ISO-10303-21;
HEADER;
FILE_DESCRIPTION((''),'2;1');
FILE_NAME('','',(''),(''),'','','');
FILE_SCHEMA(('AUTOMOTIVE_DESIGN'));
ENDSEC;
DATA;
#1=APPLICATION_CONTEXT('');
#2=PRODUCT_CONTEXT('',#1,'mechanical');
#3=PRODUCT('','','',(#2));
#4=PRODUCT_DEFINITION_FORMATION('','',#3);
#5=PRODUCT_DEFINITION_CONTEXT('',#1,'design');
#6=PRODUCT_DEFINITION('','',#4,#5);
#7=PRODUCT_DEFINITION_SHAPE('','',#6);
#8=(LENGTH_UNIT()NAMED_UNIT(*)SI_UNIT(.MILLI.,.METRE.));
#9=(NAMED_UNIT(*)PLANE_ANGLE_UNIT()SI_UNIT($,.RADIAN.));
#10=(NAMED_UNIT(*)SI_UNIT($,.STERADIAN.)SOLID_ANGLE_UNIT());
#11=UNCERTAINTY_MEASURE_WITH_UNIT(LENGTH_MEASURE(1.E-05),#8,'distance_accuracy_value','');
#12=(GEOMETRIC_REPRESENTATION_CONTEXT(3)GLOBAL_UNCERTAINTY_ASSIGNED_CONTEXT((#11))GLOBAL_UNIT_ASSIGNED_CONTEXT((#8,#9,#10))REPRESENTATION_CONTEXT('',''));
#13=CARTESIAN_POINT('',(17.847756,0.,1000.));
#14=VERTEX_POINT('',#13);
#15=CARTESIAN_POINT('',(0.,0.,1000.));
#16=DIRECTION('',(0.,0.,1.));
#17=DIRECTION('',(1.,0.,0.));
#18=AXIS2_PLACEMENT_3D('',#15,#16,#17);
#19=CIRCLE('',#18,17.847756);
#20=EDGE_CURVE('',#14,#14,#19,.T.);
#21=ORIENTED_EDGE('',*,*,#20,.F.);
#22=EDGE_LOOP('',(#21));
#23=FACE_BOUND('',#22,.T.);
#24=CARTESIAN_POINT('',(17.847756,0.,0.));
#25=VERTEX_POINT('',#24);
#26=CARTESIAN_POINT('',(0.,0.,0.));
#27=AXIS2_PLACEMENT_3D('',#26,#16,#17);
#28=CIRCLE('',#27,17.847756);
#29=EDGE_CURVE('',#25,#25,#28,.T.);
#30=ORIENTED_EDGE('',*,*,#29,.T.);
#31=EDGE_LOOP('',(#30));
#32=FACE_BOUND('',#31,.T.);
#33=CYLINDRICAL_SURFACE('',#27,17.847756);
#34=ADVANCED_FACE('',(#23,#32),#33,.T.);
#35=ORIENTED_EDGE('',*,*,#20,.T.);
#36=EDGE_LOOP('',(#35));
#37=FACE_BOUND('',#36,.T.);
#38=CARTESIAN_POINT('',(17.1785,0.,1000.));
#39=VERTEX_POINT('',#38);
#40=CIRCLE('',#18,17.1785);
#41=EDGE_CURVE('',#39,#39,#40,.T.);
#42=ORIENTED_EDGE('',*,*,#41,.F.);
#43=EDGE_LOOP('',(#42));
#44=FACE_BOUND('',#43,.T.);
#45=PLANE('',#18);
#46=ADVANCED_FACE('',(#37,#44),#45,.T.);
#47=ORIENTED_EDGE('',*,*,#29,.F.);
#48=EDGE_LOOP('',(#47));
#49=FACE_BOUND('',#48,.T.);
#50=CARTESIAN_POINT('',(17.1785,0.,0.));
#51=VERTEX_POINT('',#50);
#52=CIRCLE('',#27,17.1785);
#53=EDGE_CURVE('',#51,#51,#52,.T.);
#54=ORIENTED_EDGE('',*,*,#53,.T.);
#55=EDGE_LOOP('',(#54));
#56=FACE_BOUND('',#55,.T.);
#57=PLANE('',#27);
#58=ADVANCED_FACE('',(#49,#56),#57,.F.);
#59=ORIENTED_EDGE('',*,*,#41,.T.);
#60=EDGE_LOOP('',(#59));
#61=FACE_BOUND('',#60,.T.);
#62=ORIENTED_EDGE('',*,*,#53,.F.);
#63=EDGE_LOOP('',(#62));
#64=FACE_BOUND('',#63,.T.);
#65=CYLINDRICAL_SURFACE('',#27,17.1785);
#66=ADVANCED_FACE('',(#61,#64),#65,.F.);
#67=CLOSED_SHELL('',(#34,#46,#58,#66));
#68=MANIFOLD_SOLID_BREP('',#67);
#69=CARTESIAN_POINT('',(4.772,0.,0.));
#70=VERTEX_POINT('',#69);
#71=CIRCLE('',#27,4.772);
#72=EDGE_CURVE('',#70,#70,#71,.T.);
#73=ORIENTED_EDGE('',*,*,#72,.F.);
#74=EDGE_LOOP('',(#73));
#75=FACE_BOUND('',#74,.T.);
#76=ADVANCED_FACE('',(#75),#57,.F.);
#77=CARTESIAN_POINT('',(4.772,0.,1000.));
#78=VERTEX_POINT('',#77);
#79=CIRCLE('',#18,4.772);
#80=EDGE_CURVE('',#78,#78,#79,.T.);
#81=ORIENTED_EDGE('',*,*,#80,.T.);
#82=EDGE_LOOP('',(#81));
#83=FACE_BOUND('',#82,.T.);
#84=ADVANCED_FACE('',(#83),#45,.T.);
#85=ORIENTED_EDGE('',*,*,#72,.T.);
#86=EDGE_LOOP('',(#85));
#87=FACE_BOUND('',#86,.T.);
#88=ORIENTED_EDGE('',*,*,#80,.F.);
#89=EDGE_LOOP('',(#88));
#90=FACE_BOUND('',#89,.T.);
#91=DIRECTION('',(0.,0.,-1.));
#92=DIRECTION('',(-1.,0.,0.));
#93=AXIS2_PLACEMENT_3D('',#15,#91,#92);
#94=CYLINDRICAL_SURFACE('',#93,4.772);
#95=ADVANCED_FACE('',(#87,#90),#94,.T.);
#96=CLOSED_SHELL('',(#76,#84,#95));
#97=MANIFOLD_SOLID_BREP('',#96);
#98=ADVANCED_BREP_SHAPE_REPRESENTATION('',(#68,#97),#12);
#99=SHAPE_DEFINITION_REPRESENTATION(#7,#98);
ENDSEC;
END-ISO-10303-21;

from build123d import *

# Parameters (mm, degrees)
SKETCH_1_R      = 4.772
EXTRUDE_1_DEPTH = 1000
SKETCH_2_R      = 17.84775552
SKETCH_2_R_2    = 17.1785
EXTRUDE_2_DEPTH = 1000


with BuildPart() as part:
    # Эскиз1 → Бобышка-Вытянуть1 (new body)
    with BuildSketch(Plane.XY):
        Circle(SKETCH_1_R)
    extrude(amount=EXTRUDE_1_DEPTH)


with BuildPart() as body_2:
    # Эскиз2 → Бобышка-Вытянуть2 (new body)
    with BuildSketch(Plane.XY.offset(1000)):
        Circle(SKETCH_2_R)
        Circle(SKETCH_2_R_2, mode=Mode.SUBTRACT)
    extrude(amount=-EXTRUDE_2_DEPTH)


solid = Compound([part.part, body_2.part])
